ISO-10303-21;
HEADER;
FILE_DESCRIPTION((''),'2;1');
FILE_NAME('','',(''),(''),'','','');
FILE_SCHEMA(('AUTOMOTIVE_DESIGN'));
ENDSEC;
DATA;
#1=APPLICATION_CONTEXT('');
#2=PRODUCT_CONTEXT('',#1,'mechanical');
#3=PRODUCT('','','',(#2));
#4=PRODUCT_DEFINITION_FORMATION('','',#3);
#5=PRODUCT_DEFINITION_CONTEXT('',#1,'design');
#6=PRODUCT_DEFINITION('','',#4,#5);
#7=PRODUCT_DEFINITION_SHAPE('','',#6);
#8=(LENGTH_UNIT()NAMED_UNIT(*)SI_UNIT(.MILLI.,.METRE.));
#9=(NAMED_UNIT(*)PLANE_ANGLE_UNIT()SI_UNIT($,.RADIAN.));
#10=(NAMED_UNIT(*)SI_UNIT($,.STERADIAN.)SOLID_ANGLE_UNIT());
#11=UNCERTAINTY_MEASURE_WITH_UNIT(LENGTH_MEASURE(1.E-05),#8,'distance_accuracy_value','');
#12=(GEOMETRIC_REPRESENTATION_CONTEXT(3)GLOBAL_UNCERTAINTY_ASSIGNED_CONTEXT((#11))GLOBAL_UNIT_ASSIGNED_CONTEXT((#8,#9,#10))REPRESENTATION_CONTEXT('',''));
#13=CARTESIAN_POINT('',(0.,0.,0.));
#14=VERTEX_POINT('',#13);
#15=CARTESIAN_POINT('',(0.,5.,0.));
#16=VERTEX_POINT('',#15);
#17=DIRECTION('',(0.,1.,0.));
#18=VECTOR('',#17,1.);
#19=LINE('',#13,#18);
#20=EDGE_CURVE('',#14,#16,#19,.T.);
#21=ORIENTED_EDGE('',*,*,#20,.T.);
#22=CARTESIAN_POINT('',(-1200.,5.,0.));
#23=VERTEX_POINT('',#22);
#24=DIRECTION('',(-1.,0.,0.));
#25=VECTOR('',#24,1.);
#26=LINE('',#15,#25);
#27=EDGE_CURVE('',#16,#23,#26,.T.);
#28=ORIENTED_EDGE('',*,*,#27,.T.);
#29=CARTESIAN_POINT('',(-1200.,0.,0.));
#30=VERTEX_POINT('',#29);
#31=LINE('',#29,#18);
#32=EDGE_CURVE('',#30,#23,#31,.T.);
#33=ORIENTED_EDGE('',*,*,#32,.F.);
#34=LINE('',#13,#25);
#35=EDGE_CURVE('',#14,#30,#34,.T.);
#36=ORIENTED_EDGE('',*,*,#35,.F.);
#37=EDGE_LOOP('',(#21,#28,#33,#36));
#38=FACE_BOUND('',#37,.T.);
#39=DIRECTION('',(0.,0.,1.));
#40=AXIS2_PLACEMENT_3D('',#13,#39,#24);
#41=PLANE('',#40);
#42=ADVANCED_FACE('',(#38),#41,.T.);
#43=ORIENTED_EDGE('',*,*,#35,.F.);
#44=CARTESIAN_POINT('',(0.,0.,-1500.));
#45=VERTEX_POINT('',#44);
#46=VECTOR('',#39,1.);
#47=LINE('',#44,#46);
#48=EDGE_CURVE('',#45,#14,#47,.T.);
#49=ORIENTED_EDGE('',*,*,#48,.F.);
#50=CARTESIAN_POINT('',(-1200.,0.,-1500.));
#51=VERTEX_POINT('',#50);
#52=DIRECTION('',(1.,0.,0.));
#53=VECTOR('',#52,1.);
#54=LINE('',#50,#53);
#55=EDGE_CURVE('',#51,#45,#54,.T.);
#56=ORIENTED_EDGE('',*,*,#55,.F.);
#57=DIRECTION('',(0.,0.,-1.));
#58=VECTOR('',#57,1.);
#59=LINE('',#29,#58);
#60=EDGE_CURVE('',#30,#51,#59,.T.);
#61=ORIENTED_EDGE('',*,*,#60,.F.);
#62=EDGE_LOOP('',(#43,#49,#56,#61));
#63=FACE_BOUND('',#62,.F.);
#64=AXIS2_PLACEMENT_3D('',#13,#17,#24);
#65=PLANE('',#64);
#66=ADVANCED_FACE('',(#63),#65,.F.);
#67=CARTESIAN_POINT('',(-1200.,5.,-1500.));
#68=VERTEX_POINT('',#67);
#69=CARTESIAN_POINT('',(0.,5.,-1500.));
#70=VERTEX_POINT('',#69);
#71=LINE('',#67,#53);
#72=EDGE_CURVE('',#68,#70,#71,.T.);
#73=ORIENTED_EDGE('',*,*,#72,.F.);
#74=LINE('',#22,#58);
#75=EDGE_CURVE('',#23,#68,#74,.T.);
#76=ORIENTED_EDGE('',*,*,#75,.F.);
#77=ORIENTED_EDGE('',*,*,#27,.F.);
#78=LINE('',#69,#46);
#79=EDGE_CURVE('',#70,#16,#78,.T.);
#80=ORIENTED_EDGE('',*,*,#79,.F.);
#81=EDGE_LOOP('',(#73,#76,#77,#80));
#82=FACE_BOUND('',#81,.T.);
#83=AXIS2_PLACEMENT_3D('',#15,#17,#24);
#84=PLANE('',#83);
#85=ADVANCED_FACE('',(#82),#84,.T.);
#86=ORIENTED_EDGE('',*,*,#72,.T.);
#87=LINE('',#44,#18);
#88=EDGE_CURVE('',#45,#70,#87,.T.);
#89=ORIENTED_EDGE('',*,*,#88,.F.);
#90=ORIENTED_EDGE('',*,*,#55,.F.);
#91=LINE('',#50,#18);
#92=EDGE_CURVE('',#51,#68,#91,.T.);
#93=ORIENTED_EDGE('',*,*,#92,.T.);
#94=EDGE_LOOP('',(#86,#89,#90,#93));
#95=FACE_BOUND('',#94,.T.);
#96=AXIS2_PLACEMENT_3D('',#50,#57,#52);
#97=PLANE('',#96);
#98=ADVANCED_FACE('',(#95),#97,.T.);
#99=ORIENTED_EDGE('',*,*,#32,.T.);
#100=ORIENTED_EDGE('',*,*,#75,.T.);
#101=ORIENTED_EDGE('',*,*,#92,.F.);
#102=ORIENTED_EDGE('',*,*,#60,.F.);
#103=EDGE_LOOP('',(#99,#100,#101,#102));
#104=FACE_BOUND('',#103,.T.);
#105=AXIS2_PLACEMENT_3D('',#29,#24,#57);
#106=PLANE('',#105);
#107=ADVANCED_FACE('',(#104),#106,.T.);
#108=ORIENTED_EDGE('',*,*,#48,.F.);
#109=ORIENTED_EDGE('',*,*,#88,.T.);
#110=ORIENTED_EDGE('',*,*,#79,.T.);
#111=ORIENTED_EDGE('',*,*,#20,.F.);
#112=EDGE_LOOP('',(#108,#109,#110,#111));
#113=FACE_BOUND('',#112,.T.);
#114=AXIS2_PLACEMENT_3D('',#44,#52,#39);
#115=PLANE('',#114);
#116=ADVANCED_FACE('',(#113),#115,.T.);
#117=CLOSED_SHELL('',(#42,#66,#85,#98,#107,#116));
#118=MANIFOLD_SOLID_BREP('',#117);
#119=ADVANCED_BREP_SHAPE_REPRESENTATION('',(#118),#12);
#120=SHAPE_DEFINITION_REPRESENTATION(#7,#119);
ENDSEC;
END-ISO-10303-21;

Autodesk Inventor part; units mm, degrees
ref_plane "YZ Plane" through (0, 0, 0) normal (1, 0, 0) x (0, 1, 0)
ref_plane "XZ Plane" through (0, 0, 0) normal (0, 1, 0) x (-1, 0, 0)
ref_plane "XY Plane" through (0, 0, 0) normal (0, 0, 1) x (1, 0, 0)
sketch "Sketch1" plane through (0, 0, 0) normal (0, 1, 0) x (-1, 0, 0)
  line L0 (0, 0) -> (1200, 0)
  line L1 (1200, 0) -> (1200, -1500)
  line L2 (1200, -1500) -> (0, -1500)
  line L3 (0, -1500) -> (0, 0)
  dimension "d0" = 1200
  dimension "d1" = 1500
extrude "Extrusion1" add sketch "Sketch1" along normal blind 5
properties part number "ReflectorWallWide" material "Silver"
